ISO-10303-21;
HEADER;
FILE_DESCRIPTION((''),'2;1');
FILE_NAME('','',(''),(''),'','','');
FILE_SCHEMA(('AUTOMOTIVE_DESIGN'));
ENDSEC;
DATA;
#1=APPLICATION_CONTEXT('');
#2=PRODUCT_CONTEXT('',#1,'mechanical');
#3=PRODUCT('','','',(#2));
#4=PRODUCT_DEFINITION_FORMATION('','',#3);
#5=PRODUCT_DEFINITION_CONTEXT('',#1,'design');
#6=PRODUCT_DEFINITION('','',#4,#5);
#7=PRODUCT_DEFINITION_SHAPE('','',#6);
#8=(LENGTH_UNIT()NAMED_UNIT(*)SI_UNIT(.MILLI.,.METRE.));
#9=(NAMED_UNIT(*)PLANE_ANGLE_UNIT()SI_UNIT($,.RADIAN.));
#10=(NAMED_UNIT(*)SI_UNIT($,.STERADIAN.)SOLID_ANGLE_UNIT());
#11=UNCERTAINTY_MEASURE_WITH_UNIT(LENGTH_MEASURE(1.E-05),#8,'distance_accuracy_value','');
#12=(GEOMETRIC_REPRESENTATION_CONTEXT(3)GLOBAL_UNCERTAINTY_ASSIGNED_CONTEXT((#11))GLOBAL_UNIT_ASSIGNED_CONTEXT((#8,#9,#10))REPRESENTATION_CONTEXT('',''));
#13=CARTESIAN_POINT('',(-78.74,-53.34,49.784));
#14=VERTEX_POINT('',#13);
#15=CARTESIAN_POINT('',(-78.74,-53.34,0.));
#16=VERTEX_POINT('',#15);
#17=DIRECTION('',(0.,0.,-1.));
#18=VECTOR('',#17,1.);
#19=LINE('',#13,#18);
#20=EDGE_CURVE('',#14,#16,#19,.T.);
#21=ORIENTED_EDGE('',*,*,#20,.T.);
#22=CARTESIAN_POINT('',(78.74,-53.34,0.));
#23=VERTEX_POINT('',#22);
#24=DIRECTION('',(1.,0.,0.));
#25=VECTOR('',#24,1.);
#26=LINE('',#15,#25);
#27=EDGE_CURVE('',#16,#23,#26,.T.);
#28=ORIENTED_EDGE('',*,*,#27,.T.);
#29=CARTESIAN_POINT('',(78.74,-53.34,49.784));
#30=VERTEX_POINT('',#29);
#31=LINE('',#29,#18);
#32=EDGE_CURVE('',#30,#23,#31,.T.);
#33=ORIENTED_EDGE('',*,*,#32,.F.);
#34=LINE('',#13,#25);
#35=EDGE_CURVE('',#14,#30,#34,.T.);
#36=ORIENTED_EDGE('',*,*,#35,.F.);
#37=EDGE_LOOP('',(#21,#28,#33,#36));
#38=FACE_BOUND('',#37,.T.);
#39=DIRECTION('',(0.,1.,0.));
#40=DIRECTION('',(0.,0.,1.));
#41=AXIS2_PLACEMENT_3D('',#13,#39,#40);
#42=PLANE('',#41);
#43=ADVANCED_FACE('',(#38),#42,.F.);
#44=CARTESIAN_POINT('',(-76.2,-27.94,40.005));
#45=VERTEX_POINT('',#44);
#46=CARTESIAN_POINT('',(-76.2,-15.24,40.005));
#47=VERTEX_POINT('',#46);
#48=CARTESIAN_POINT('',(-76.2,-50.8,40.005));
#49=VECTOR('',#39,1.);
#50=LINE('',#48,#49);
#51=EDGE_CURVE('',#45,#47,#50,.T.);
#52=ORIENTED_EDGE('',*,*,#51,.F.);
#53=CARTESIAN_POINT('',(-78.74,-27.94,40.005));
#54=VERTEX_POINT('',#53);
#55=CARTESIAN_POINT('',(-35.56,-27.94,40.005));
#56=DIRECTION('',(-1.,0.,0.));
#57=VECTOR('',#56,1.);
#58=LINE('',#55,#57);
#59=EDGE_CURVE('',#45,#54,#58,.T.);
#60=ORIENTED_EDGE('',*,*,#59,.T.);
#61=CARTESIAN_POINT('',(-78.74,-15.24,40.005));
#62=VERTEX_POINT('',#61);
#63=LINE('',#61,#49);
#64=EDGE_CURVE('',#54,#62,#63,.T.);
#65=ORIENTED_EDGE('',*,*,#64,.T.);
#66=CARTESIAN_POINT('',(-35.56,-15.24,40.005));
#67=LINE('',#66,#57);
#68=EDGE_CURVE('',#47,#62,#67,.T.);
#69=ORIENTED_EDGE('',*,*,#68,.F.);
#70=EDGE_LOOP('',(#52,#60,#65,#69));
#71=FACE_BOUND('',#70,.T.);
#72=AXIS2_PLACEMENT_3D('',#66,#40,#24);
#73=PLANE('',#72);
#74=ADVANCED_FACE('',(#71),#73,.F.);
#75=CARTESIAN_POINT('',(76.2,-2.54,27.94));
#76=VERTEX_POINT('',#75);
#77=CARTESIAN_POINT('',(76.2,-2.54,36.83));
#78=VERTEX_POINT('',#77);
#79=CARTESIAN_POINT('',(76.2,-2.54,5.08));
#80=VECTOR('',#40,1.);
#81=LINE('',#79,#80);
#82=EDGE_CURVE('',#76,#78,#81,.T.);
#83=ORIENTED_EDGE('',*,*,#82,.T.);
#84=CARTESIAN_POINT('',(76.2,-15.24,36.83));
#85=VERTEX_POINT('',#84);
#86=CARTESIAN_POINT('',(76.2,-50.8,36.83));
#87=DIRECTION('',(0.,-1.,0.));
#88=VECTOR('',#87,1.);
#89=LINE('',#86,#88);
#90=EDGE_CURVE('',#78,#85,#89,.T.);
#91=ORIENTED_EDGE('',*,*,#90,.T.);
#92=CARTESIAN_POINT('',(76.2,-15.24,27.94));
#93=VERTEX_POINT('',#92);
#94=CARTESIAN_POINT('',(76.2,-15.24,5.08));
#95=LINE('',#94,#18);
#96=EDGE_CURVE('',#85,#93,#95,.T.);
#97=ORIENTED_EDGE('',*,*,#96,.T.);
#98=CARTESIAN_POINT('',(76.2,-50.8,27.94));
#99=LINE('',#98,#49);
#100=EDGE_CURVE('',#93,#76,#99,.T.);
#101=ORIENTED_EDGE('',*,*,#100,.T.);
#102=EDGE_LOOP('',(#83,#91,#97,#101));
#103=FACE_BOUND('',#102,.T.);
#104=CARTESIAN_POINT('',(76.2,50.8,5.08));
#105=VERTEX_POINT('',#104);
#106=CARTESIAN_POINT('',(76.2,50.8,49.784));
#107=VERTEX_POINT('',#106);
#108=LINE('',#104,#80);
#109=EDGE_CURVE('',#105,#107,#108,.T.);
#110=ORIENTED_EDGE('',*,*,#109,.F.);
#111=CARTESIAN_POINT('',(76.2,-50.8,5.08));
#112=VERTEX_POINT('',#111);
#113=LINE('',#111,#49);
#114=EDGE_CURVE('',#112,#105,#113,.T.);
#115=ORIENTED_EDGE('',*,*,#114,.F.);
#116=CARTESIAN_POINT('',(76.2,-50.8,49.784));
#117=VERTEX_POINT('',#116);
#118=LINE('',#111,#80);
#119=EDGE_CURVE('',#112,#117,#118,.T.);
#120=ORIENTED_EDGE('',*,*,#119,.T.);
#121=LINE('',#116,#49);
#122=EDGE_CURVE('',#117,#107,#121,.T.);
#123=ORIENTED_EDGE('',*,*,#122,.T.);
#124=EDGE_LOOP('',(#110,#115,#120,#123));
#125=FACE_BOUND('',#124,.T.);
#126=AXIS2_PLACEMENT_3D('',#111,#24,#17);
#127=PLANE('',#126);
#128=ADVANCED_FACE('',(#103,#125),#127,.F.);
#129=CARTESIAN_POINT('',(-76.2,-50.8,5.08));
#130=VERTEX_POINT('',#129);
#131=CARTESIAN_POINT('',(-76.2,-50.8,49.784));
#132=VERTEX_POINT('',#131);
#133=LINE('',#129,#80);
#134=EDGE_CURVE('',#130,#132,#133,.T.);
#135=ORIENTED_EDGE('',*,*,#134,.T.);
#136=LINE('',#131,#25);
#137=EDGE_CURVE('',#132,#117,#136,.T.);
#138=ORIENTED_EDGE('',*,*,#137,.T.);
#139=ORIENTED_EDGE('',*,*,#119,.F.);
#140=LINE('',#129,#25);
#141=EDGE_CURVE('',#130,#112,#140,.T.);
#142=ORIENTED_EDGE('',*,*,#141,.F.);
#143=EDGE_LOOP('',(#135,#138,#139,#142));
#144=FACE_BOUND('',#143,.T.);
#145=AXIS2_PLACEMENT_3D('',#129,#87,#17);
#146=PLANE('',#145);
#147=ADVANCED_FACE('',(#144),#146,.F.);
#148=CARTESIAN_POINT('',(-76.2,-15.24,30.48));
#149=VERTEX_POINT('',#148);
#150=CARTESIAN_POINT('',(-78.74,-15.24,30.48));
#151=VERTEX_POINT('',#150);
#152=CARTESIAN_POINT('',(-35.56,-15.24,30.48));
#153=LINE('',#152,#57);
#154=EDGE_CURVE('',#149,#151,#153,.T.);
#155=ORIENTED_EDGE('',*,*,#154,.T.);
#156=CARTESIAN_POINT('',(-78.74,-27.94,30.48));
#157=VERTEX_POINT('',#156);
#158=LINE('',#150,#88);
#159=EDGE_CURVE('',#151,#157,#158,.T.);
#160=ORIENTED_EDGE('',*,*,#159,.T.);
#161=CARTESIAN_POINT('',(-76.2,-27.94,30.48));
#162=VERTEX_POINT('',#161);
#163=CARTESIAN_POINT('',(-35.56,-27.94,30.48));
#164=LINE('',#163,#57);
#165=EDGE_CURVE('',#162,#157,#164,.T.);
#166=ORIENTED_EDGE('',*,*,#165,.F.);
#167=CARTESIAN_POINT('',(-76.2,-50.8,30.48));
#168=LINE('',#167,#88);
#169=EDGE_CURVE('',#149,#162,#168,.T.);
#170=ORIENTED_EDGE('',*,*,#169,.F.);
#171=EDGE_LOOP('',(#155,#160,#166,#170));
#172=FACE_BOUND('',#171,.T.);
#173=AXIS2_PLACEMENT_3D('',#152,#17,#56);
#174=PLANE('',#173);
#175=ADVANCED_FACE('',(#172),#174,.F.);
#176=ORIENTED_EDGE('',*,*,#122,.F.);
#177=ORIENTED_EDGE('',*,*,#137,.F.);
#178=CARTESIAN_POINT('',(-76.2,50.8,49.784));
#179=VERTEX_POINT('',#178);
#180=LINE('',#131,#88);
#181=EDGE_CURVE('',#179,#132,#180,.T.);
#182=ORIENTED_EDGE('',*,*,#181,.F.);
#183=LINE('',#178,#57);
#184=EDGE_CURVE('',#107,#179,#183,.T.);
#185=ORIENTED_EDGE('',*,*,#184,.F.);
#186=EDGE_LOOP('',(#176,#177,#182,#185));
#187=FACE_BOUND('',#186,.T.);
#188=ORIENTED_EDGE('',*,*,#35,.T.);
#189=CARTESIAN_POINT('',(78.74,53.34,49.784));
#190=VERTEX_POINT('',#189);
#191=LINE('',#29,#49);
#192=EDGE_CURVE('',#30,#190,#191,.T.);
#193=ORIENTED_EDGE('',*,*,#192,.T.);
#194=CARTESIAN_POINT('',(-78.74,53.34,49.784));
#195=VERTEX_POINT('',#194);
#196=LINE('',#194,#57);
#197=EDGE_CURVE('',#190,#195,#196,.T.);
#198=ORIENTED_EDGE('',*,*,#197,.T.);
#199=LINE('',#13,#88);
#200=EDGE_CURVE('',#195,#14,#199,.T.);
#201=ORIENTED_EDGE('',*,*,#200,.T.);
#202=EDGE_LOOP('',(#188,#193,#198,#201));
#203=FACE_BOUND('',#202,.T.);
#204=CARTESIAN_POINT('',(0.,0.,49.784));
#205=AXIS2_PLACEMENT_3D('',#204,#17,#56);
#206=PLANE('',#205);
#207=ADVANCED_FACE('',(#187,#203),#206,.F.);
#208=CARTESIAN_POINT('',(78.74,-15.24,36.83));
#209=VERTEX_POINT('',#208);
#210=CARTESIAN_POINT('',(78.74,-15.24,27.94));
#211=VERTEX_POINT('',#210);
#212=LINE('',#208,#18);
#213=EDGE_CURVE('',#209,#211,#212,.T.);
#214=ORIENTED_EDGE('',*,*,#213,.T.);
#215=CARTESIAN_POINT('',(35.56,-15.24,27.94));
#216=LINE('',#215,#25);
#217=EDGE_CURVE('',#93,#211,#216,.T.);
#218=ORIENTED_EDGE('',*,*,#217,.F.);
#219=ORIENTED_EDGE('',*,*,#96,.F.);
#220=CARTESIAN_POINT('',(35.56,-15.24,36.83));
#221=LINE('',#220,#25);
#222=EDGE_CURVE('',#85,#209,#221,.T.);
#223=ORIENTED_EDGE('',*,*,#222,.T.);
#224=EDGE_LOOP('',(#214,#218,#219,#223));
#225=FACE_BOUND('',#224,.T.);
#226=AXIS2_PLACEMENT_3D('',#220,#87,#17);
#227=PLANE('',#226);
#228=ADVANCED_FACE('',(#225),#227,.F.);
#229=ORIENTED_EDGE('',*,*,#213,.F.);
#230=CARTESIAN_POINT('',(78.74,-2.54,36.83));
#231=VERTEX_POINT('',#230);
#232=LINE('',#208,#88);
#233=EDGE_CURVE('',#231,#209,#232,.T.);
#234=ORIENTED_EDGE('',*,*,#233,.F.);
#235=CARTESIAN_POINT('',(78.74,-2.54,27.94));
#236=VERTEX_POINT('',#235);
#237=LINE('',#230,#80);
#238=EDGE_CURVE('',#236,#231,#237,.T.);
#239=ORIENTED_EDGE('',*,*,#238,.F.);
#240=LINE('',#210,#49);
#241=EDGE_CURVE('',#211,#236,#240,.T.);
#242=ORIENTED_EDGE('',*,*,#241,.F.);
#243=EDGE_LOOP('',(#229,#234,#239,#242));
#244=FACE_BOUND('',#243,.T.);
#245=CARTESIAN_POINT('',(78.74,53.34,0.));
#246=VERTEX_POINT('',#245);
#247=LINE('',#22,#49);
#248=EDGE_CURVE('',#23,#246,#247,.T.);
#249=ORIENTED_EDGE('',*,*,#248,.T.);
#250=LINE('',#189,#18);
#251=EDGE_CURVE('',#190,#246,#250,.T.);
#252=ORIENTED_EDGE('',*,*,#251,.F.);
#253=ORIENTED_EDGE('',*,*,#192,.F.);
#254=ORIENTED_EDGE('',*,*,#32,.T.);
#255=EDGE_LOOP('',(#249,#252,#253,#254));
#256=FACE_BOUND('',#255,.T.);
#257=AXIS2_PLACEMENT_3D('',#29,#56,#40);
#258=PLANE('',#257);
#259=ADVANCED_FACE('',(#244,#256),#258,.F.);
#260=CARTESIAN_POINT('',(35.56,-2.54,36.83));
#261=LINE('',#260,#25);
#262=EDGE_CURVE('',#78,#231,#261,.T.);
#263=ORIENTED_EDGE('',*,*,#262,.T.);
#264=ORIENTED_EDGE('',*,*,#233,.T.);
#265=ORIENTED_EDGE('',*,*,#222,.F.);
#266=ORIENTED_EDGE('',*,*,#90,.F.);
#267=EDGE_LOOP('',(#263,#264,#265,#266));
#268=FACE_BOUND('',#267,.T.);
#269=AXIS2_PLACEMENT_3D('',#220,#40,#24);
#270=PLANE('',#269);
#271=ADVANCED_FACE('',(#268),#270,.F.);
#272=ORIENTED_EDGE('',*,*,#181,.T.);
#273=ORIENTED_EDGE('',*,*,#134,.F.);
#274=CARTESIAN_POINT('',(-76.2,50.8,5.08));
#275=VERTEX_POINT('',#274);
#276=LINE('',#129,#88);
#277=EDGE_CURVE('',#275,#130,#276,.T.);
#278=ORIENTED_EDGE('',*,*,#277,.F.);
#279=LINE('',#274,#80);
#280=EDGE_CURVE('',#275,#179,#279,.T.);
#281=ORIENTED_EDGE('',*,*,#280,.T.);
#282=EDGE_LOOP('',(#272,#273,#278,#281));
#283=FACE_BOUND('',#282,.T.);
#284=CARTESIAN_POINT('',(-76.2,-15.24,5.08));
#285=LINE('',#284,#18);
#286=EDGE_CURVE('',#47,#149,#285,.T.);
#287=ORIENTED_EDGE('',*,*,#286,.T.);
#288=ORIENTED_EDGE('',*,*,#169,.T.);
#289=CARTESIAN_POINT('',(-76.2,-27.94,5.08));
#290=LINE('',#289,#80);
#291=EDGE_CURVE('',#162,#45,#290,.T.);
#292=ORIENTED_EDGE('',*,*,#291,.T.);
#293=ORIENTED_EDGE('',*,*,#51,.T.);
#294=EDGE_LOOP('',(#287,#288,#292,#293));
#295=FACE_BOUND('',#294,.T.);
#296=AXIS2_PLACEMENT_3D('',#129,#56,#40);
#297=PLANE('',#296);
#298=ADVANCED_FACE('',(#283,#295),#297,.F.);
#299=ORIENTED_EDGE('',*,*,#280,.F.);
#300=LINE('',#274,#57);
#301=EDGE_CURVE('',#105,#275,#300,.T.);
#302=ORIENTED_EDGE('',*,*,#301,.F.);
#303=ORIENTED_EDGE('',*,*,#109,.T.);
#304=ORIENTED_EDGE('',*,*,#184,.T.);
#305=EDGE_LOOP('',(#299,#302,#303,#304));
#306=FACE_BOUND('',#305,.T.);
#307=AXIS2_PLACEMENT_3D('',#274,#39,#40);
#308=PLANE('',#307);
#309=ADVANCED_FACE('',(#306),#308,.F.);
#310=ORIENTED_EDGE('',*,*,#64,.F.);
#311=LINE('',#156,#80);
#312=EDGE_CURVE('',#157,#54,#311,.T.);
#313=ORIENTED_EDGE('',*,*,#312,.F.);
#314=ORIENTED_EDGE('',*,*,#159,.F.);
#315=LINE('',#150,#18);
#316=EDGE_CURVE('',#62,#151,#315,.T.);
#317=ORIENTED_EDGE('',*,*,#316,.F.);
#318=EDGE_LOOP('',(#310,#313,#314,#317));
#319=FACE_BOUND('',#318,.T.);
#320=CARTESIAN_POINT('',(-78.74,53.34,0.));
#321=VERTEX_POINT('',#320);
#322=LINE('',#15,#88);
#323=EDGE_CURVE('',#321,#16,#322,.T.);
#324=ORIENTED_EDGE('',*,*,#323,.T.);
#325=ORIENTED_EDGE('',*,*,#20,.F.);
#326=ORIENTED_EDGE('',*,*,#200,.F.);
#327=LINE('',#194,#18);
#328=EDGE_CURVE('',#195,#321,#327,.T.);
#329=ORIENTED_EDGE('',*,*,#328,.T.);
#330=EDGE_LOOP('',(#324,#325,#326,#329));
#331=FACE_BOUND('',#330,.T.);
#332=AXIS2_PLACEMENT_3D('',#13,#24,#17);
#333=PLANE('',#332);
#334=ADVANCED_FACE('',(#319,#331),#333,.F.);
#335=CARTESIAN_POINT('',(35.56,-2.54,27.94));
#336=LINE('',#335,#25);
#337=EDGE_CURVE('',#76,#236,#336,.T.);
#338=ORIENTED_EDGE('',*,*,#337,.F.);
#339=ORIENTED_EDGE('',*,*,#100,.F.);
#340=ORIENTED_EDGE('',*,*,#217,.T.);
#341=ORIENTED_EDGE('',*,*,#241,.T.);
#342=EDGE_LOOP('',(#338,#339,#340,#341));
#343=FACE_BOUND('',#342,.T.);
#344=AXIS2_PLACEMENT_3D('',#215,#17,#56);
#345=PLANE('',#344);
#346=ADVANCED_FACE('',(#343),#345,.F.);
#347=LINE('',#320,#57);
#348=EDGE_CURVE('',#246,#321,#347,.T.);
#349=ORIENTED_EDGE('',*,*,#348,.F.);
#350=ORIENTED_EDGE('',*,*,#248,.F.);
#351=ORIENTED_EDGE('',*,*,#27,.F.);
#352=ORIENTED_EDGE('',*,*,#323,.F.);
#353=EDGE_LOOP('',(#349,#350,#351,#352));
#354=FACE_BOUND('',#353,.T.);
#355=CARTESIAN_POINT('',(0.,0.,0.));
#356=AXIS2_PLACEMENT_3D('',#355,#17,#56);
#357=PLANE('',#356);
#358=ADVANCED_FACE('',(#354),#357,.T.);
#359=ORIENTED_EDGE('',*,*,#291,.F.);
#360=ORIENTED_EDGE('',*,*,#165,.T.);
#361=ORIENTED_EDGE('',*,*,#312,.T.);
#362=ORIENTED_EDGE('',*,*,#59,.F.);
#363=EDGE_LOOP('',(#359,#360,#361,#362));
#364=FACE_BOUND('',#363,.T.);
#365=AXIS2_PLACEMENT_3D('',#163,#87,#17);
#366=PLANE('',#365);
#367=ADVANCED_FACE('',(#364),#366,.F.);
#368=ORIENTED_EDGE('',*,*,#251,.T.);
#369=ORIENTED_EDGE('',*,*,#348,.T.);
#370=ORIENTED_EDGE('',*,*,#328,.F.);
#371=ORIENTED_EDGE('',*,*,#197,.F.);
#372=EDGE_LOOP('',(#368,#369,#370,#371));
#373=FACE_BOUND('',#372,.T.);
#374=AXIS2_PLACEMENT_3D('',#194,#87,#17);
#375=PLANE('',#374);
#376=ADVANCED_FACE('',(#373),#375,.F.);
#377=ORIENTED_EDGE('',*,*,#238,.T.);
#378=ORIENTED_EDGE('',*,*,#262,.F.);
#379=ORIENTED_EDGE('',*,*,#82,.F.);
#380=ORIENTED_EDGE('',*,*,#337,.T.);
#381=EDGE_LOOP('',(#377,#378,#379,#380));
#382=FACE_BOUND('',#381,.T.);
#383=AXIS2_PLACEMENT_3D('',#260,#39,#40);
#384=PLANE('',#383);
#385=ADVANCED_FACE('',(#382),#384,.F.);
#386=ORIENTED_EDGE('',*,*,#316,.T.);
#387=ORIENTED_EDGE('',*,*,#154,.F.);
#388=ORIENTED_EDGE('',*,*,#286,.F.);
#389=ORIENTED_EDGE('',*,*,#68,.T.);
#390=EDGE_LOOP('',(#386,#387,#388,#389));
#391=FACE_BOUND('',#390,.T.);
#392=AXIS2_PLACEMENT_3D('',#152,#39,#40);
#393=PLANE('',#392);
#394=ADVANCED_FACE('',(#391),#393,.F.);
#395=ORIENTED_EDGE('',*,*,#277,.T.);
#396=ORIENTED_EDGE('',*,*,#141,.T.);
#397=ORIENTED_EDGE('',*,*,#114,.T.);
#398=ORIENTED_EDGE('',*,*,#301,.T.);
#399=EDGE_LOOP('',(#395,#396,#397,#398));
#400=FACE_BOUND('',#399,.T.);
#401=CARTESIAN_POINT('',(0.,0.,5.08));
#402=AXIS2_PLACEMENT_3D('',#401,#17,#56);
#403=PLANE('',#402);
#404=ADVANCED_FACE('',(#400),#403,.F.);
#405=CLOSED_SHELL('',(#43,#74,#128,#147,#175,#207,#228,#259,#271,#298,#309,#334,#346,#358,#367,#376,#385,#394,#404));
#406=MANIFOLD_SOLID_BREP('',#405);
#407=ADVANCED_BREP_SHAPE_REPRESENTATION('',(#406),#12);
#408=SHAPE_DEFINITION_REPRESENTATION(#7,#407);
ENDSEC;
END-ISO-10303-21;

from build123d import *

# Parameters (mm, degrees)
SKETCH1_W           = 157.48
SKETCH1_H           = 106.68
BOSS_EXTRUDE1_DEPTH = 49.784
SKETCH3_W           = 152.4
SKETCH3_H           = 101.6
CUT_EXTRUDE1_DEPTH  = 44.704
SKETCH4_W           = 8.89
SKETCH4_H           = 12.7
CUT_EXTRUDE2_DEPTH  = 43.18
SKETCH6_W           = 9.525
SKETCH6_H           = 12.7
CUT_EXTRUDE3_DEPTH  = 43.18


with BuildPart() as part:
    # Sketch1 → Boss-Extrude1 (new body)
    with BuildSketch(Plane.XY):
        Rectangle(SKETCH1_W, SKETCH1_H)
    extrude(amount=BOSS_EXTRUDE1_DEPTH)

    # Sketch3 → Cut-Extrude1 (cut)
    with BuildSketch(Plane.XY.offset(49.784)):
        Rectangle(SKETCH3_W, SKETCH3_H)
    extrude(amount=-CUT_EXTRUDE1_DEPTH, mode=Mode.SUBTRACT)

    # Sketch4 → Cut-Extrude2 (cut)
    with BuildSketch(Plane(origin=(78.74, 0, 0), x_dir=(0, 0, -1), z_dir=(1, 0, 0))):
        with Locations((-32.385, -8.89)):
            Rectangle(SKETCH4_W, SKETCH4_H)
    extrude(amount=-CUT_EXTRUDE2_DEPTH, mode=Mode.SUBTRACT)

    # Sketch6 → Cut-Extrude3 (cut)
    with BuildSketch(Plane.ZY.offset(78.74)):
        with Locations((35.2425, -21.59)):
            Rectangle(SKETCH6_W, SKETCH6_H)
    extrude(amount=-CUT_EXTRUDE3_DEPTH, mode=Mode.SUBTRACT)


solid = part.part
